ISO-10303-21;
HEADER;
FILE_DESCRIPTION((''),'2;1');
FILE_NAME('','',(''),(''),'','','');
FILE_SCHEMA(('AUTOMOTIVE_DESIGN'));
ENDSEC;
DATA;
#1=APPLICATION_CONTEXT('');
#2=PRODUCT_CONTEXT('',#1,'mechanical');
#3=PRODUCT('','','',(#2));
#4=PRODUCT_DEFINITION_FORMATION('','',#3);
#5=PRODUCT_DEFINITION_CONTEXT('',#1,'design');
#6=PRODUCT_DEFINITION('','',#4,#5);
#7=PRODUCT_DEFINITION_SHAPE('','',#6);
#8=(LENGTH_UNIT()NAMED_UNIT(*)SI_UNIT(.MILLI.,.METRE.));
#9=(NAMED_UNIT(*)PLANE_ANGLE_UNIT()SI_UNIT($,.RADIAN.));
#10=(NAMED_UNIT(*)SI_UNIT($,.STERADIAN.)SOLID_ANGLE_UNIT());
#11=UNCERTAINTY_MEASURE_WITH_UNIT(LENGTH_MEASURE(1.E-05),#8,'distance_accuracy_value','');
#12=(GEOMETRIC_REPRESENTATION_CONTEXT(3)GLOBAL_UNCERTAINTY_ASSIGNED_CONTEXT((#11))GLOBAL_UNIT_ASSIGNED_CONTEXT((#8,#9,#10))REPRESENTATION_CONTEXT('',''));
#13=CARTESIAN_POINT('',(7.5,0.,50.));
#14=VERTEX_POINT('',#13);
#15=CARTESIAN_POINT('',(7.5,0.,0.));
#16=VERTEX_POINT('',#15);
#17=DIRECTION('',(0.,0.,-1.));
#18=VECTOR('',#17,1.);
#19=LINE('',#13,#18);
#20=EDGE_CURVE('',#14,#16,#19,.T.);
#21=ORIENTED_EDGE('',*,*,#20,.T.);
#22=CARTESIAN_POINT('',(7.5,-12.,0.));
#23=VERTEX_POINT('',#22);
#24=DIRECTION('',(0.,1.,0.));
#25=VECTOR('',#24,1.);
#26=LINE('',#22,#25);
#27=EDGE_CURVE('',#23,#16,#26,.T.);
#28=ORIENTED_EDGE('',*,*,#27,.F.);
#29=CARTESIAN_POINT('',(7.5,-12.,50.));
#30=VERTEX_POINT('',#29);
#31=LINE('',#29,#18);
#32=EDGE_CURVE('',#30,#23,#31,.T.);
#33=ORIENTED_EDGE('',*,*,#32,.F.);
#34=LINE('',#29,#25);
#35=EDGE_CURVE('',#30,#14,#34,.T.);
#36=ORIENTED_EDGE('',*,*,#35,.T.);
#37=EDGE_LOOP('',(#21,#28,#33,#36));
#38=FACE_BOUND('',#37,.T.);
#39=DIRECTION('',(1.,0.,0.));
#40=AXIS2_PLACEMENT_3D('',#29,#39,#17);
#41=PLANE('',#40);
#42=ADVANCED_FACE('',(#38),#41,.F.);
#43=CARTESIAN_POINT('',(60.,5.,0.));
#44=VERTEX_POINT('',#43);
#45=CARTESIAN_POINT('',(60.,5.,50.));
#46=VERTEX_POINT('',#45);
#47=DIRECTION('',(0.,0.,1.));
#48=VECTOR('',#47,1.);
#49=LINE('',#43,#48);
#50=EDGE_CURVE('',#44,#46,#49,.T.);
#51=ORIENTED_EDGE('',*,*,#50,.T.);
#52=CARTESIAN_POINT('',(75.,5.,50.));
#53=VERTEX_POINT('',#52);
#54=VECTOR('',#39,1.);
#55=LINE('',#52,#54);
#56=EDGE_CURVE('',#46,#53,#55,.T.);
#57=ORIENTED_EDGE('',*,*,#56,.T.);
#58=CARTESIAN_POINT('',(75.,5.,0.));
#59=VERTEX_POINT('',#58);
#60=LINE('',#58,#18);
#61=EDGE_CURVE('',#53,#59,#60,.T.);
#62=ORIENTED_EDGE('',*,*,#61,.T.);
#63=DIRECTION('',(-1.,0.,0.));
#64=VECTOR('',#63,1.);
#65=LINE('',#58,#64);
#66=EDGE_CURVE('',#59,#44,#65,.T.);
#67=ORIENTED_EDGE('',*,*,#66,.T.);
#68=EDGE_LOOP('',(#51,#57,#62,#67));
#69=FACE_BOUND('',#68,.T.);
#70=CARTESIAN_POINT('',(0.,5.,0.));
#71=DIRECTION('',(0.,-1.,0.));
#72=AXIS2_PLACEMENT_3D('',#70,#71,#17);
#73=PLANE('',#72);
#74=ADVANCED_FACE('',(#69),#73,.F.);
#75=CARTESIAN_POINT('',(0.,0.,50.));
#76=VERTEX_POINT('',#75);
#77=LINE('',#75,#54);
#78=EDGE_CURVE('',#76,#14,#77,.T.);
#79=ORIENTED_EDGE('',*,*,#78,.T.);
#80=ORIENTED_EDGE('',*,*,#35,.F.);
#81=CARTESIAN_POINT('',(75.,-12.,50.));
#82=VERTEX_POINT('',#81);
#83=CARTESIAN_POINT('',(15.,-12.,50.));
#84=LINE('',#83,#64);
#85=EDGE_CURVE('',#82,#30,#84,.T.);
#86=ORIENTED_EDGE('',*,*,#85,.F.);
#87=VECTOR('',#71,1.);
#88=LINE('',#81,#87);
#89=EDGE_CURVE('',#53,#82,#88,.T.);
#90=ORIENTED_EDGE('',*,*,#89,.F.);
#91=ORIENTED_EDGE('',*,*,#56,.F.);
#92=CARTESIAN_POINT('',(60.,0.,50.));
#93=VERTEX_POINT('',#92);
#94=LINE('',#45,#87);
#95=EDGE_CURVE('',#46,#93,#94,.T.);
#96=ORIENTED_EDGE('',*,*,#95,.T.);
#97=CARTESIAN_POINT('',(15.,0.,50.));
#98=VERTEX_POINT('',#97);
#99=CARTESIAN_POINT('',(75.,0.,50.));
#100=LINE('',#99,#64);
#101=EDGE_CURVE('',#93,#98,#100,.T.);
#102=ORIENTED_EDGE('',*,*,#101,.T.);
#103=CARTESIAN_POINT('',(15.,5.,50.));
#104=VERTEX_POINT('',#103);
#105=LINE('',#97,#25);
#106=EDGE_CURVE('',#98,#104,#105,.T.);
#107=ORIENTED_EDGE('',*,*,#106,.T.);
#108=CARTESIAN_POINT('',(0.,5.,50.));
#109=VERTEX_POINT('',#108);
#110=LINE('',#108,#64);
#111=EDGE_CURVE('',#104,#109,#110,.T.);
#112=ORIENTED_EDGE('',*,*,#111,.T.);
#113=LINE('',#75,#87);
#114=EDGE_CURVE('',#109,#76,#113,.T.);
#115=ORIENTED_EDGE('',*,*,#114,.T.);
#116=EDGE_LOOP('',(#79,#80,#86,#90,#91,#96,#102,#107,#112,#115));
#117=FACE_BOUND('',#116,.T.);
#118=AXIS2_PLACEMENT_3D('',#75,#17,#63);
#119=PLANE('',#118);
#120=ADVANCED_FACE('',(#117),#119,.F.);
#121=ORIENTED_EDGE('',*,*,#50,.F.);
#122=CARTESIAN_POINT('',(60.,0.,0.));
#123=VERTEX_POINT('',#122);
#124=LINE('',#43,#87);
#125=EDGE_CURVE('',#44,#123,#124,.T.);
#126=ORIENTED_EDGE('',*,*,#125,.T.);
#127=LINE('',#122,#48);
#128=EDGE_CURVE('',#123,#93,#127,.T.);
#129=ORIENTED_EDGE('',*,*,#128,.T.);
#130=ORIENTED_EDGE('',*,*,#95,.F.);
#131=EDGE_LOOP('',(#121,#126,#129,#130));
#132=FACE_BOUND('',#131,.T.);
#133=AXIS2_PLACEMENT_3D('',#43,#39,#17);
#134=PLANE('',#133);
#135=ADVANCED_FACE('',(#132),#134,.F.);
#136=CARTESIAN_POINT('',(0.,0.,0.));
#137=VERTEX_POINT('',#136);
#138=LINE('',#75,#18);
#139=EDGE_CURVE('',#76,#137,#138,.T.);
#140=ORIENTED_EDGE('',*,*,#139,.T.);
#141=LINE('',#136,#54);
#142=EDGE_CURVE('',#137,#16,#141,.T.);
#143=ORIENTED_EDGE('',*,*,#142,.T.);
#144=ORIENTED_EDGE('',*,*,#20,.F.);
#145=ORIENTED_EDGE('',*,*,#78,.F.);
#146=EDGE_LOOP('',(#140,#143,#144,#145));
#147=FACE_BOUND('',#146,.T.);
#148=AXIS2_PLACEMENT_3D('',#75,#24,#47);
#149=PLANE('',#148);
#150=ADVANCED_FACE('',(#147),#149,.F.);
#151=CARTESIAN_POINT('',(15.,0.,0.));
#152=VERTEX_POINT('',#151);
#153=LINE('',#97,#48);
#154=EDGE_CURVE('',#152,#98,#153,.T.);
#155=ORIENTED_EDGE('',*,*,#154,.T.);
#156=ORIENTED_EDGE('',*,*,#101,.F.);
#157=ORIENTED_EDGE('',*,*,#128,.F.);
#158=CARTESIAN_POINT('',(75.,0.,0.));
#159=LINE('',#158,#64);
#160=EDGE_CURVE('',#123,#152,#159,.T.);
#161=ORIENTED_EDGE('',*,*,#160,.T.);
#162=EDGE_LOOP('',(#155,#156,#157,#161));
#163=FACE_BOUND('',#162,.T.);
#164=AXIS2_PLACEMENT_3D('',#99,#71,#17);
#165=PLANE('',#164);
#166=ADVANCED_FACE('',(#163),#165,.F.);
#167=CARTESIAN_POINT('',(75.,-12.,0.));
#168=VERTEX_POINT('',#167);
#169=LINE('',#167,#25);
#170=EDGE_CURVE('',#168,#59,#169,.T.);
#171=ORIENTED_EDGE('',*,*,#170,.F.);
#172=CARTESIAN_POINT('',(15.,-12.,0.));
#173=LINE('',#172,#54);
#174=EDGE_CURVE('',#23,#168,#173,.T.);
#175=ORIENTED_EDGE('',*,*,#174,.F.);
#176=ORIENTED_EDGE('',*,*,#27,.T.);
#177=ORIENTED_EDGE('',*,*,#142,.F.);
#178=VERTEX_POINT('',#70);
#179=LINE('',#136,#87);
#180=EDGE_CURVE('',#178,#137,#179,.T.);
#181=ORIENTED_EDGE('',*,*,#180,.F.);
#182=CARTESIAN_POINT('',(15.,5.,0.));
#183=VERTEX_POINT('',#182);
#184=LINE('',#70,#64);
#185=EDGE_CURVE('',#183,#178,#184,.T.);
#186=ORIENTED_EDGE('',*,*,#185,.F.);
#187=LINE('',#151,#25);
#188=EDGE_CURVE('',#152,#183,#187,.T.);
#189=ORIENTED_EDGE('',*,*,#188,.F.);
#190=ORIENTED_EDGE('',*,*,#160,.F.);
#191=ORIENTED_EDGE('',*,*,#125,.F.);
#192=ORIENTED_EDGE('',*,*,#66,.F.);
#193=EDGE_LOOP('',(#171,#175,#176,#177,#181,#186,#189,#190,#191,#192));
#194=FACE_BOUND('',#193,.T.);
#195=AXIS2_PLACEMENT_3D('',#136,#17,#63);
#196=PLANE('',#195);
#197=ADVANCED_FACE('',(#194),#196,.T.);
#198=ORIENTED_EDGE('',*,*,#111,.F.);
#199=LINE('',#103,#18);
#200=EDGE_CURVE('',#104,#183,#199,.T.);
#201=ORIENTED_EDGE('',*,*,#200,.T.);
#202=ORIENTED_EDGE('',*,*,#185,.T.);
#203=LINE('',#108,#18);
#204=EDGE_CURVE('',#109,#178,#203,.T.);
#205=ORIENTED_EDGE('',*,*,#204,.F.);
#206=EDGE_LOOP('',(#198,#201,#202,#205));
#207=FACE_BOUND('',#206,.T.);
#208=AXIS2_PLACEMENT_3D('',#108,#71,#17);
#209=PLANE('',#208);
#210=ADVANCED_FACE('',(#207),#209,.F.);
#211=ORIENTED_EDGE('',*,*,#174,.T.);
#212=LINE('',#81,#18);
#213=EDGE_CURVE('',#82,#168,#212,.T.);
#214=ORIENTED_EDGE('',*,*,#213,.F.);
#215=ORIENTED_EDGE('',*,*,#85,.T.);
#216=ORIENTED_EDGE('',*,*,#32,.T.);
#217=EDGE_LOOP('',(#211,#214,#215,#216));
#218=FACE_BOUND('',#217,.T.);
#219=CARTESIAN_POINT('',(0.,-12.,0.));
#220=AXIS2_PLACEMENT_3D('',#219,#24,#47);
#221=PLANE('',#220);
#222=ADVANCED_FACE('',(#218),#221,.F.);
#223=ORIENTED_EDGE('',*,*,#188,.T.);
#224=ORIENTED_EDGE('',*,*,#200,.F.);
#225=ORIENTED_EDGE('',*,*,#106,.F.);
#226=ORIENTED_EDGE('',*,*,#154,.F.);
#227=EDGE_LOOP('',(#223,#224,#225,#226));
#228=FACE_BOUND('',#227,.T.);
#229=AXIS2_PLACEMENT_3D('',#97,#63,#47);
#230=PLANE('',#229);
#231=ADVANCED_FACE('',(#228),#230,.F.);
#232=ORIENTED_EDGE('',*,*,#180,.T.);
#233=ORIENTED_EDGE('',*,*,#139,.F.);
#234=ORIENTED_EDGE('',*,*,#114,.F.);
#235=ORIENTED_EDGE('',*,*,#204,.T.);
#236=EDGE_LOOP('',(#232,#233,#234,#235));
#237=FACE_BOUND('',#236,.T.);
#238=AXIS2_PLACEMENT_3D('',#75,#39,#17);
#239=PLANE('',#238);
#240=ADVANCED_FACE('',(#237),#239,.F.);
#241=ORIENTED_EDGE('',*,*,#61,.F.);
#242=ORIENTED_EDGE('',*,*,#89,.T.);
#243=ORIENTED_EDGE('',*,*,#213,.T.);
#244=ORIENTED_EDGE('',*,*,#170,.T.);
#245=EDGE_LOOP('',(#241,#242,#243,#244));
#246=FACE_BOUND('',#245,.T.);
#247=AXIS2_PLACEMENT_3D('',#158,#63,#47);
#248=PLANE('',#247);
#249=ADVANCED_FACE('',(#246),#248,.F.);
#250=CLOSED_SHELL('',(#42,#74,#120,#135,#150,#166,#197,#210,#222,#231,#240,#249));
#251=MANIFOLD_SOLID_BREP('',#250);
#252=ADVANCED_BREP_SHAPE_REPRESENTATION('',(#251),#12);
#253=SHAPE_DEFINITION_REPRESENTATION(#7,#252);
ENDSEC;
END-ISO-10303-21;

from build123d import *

# Parameters (mm, degrees)
SKETCH_1_W      = 15
SKETCH_1_H      = 5
EXTRUDE_1_DEPTH = 50
SKETCH_2_W      = 7.5
SKETCH_2_H      = 50
EXTRUDE_2_DEPTH = 12
SKETCH_3_W      = 50
SKETCH_3_H      = 12
EXTRUDE_3_DEPTH = 60
SKETCH_4_W      = 15
SKETCH_4_H      = 50
EXTRUDE_4_DEPTH = 5


with BuildPart() as part:
    # 스케치1 → 보스-돌출1 (new body)
    with BuildSketch(Plane.XY):
        with Locations((7.5, 2.5)):
            Rectangle(SKETCH_1_W, SKETCH_1_H)
    extrude(amount=EXTRUDE_1_DEPTH)

    # 스케치2 → 보스-돌출2 (add)
    with BuildSketch(Plane.XZ):
        with Locations((11.25, 25)):
            Rectangle(SKETCH_2_W, SKETCH_2_H)
    extrude(amount=EXTRUDE_2_DEPTH)

    # 스케치3 → 보스-돌출3 (add)
    with BuildSketch(Plane(origin=(15, 0, 0), x_dir=(0, 0, -1), z_dir=(1, 0, 0))):
        with Locations((-25, -6)):
            Rectangle(SKETCH_3_W, SKETCH_3_H)
    extrude(amount=EXTRUDE_3_DEPTH)

    # 스케치4 → 보스-돌출4 (add)
    with BuildSketch(Plane(origin=(0, 0, 0), x_dir=(1, 0, 0), z_dir=(0, 1, 0))):
        with Locations((67.5, -25)):
            Rectangle(SKETCH_4_W, SKETCH_4_H)
    extrude(amount=EXTRUDE_4_DEPTH)


solid = part.part
